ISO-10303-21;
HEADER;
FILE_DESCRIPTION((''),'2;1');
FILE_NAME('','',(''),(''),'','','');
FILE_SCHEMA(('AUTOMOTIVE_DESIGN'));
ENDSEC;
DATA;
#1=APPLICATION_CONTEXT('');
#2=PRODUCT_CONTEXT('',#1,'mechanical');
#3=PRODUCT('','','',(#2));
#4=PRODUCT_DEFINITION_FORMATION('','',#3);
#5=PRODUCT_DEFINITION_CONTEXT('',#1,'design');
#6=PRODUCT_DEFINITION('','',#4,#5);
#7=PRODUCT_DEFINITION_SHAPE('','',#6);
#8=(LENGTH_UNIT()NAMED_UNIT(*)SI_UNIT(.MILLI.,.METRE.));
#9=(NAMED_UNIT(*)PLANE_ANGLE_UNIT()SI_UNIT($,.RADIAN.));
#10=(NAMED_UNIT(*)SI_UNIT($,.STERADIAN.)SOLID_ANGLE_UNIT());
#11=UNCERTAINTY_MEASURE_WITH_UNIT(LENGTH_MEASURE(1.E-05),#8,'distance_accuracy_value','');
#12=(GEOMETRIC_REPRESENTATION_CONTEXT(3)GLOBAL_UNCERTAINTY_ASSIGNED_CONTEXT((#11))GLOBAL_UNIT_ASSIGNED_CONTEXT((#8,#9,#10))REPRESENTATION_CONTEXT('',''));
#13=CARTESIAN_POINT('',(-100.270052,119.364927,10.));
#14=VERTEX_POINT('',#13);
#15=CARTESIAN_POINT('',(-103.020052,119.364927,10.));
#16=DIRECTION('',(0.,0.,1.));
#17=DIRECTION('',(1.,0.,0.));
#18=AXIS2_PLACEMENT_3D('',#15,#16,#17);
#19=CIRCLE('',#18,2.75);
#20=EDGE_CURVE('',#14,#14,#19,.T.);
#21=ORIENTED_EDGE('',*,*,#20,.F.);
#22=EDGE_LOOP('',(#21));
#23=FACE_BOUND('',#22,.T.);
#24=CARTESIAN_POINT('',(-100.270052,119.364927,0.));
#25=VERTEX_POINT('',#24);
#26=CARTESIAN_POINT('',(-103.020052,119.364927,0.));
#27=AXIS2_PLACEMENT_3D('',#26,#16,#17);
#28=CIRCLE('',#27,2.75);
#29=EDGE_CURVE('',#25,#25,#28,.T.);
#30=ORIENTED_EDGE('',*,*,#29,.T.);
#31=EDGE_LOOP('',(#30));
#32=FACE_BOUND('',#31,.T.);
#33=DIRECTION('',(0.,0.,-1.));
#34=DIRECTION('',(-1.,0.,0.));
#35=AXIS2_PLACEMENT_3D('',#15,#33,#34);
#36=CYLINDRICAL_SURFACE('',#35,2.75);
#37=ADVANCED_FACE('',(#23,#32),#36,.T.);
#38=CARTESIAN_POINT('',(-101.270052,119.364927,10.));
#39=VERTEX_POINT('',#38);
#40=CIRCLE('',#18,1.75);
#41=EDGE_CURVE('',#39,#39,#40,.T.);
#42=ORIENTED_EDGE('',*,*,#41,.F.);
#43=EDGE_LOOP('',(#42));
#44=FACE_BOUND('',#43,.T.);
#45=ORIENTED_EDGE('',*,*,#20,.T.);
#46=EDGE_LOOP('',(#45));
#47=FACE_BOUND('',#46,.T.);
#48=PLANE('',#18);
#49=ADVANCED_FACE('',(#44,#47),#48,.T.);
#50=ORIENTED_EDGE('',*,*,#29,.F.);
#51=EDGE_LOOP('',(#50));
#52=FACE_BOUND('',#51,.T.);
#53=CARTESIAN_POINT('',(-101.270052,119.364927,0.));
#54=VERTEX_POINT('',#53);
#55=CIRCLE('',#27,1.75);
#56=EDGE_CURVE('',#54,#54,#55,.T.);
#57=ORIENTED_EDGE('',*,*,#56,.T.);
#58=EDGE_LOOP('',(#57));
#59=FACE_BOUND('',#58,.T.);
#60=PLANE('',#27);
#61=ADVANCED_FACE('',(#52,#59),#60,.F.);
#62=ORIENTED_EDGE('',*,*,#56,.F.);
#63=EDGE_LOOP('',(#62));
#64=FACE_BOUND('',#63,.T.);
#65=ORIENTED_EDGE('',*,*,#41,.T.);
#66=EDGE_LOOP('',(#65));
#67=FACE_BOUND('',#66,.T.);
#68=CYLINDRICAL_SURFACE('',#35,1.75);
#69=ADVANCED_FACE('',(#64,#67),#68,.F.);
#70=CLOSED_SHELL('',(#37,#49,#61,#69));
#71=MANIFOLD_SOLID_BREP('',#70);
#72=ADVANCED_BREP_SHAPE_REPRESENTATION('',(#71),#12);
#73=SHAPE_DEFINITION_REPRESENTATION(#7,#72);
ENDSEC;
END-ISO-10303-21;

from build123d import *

# Parameters (mm, degrees)
SKETCH1_R           = 2.75
SKETCH1_R_2         = 1.75
BOSS_EXTRUDE1_DEPTH = 10


with BuildPart() as part:
    # Sketch1 → Boss-Extrude1 (new body)
    with BuildSketch(Plane.XY):
        with Locations((-103.020051755, 119.364927073)):
            Circle(SKETCH1_R)
        with Locations((-103.020051755, 119.364927073)):
            Circle(SKETCH1_R_2, mode=Mode.SUBTRACT)
    extrude(amount=BOSS_EXTRUDE1_DEPTH)


solid = part.part
